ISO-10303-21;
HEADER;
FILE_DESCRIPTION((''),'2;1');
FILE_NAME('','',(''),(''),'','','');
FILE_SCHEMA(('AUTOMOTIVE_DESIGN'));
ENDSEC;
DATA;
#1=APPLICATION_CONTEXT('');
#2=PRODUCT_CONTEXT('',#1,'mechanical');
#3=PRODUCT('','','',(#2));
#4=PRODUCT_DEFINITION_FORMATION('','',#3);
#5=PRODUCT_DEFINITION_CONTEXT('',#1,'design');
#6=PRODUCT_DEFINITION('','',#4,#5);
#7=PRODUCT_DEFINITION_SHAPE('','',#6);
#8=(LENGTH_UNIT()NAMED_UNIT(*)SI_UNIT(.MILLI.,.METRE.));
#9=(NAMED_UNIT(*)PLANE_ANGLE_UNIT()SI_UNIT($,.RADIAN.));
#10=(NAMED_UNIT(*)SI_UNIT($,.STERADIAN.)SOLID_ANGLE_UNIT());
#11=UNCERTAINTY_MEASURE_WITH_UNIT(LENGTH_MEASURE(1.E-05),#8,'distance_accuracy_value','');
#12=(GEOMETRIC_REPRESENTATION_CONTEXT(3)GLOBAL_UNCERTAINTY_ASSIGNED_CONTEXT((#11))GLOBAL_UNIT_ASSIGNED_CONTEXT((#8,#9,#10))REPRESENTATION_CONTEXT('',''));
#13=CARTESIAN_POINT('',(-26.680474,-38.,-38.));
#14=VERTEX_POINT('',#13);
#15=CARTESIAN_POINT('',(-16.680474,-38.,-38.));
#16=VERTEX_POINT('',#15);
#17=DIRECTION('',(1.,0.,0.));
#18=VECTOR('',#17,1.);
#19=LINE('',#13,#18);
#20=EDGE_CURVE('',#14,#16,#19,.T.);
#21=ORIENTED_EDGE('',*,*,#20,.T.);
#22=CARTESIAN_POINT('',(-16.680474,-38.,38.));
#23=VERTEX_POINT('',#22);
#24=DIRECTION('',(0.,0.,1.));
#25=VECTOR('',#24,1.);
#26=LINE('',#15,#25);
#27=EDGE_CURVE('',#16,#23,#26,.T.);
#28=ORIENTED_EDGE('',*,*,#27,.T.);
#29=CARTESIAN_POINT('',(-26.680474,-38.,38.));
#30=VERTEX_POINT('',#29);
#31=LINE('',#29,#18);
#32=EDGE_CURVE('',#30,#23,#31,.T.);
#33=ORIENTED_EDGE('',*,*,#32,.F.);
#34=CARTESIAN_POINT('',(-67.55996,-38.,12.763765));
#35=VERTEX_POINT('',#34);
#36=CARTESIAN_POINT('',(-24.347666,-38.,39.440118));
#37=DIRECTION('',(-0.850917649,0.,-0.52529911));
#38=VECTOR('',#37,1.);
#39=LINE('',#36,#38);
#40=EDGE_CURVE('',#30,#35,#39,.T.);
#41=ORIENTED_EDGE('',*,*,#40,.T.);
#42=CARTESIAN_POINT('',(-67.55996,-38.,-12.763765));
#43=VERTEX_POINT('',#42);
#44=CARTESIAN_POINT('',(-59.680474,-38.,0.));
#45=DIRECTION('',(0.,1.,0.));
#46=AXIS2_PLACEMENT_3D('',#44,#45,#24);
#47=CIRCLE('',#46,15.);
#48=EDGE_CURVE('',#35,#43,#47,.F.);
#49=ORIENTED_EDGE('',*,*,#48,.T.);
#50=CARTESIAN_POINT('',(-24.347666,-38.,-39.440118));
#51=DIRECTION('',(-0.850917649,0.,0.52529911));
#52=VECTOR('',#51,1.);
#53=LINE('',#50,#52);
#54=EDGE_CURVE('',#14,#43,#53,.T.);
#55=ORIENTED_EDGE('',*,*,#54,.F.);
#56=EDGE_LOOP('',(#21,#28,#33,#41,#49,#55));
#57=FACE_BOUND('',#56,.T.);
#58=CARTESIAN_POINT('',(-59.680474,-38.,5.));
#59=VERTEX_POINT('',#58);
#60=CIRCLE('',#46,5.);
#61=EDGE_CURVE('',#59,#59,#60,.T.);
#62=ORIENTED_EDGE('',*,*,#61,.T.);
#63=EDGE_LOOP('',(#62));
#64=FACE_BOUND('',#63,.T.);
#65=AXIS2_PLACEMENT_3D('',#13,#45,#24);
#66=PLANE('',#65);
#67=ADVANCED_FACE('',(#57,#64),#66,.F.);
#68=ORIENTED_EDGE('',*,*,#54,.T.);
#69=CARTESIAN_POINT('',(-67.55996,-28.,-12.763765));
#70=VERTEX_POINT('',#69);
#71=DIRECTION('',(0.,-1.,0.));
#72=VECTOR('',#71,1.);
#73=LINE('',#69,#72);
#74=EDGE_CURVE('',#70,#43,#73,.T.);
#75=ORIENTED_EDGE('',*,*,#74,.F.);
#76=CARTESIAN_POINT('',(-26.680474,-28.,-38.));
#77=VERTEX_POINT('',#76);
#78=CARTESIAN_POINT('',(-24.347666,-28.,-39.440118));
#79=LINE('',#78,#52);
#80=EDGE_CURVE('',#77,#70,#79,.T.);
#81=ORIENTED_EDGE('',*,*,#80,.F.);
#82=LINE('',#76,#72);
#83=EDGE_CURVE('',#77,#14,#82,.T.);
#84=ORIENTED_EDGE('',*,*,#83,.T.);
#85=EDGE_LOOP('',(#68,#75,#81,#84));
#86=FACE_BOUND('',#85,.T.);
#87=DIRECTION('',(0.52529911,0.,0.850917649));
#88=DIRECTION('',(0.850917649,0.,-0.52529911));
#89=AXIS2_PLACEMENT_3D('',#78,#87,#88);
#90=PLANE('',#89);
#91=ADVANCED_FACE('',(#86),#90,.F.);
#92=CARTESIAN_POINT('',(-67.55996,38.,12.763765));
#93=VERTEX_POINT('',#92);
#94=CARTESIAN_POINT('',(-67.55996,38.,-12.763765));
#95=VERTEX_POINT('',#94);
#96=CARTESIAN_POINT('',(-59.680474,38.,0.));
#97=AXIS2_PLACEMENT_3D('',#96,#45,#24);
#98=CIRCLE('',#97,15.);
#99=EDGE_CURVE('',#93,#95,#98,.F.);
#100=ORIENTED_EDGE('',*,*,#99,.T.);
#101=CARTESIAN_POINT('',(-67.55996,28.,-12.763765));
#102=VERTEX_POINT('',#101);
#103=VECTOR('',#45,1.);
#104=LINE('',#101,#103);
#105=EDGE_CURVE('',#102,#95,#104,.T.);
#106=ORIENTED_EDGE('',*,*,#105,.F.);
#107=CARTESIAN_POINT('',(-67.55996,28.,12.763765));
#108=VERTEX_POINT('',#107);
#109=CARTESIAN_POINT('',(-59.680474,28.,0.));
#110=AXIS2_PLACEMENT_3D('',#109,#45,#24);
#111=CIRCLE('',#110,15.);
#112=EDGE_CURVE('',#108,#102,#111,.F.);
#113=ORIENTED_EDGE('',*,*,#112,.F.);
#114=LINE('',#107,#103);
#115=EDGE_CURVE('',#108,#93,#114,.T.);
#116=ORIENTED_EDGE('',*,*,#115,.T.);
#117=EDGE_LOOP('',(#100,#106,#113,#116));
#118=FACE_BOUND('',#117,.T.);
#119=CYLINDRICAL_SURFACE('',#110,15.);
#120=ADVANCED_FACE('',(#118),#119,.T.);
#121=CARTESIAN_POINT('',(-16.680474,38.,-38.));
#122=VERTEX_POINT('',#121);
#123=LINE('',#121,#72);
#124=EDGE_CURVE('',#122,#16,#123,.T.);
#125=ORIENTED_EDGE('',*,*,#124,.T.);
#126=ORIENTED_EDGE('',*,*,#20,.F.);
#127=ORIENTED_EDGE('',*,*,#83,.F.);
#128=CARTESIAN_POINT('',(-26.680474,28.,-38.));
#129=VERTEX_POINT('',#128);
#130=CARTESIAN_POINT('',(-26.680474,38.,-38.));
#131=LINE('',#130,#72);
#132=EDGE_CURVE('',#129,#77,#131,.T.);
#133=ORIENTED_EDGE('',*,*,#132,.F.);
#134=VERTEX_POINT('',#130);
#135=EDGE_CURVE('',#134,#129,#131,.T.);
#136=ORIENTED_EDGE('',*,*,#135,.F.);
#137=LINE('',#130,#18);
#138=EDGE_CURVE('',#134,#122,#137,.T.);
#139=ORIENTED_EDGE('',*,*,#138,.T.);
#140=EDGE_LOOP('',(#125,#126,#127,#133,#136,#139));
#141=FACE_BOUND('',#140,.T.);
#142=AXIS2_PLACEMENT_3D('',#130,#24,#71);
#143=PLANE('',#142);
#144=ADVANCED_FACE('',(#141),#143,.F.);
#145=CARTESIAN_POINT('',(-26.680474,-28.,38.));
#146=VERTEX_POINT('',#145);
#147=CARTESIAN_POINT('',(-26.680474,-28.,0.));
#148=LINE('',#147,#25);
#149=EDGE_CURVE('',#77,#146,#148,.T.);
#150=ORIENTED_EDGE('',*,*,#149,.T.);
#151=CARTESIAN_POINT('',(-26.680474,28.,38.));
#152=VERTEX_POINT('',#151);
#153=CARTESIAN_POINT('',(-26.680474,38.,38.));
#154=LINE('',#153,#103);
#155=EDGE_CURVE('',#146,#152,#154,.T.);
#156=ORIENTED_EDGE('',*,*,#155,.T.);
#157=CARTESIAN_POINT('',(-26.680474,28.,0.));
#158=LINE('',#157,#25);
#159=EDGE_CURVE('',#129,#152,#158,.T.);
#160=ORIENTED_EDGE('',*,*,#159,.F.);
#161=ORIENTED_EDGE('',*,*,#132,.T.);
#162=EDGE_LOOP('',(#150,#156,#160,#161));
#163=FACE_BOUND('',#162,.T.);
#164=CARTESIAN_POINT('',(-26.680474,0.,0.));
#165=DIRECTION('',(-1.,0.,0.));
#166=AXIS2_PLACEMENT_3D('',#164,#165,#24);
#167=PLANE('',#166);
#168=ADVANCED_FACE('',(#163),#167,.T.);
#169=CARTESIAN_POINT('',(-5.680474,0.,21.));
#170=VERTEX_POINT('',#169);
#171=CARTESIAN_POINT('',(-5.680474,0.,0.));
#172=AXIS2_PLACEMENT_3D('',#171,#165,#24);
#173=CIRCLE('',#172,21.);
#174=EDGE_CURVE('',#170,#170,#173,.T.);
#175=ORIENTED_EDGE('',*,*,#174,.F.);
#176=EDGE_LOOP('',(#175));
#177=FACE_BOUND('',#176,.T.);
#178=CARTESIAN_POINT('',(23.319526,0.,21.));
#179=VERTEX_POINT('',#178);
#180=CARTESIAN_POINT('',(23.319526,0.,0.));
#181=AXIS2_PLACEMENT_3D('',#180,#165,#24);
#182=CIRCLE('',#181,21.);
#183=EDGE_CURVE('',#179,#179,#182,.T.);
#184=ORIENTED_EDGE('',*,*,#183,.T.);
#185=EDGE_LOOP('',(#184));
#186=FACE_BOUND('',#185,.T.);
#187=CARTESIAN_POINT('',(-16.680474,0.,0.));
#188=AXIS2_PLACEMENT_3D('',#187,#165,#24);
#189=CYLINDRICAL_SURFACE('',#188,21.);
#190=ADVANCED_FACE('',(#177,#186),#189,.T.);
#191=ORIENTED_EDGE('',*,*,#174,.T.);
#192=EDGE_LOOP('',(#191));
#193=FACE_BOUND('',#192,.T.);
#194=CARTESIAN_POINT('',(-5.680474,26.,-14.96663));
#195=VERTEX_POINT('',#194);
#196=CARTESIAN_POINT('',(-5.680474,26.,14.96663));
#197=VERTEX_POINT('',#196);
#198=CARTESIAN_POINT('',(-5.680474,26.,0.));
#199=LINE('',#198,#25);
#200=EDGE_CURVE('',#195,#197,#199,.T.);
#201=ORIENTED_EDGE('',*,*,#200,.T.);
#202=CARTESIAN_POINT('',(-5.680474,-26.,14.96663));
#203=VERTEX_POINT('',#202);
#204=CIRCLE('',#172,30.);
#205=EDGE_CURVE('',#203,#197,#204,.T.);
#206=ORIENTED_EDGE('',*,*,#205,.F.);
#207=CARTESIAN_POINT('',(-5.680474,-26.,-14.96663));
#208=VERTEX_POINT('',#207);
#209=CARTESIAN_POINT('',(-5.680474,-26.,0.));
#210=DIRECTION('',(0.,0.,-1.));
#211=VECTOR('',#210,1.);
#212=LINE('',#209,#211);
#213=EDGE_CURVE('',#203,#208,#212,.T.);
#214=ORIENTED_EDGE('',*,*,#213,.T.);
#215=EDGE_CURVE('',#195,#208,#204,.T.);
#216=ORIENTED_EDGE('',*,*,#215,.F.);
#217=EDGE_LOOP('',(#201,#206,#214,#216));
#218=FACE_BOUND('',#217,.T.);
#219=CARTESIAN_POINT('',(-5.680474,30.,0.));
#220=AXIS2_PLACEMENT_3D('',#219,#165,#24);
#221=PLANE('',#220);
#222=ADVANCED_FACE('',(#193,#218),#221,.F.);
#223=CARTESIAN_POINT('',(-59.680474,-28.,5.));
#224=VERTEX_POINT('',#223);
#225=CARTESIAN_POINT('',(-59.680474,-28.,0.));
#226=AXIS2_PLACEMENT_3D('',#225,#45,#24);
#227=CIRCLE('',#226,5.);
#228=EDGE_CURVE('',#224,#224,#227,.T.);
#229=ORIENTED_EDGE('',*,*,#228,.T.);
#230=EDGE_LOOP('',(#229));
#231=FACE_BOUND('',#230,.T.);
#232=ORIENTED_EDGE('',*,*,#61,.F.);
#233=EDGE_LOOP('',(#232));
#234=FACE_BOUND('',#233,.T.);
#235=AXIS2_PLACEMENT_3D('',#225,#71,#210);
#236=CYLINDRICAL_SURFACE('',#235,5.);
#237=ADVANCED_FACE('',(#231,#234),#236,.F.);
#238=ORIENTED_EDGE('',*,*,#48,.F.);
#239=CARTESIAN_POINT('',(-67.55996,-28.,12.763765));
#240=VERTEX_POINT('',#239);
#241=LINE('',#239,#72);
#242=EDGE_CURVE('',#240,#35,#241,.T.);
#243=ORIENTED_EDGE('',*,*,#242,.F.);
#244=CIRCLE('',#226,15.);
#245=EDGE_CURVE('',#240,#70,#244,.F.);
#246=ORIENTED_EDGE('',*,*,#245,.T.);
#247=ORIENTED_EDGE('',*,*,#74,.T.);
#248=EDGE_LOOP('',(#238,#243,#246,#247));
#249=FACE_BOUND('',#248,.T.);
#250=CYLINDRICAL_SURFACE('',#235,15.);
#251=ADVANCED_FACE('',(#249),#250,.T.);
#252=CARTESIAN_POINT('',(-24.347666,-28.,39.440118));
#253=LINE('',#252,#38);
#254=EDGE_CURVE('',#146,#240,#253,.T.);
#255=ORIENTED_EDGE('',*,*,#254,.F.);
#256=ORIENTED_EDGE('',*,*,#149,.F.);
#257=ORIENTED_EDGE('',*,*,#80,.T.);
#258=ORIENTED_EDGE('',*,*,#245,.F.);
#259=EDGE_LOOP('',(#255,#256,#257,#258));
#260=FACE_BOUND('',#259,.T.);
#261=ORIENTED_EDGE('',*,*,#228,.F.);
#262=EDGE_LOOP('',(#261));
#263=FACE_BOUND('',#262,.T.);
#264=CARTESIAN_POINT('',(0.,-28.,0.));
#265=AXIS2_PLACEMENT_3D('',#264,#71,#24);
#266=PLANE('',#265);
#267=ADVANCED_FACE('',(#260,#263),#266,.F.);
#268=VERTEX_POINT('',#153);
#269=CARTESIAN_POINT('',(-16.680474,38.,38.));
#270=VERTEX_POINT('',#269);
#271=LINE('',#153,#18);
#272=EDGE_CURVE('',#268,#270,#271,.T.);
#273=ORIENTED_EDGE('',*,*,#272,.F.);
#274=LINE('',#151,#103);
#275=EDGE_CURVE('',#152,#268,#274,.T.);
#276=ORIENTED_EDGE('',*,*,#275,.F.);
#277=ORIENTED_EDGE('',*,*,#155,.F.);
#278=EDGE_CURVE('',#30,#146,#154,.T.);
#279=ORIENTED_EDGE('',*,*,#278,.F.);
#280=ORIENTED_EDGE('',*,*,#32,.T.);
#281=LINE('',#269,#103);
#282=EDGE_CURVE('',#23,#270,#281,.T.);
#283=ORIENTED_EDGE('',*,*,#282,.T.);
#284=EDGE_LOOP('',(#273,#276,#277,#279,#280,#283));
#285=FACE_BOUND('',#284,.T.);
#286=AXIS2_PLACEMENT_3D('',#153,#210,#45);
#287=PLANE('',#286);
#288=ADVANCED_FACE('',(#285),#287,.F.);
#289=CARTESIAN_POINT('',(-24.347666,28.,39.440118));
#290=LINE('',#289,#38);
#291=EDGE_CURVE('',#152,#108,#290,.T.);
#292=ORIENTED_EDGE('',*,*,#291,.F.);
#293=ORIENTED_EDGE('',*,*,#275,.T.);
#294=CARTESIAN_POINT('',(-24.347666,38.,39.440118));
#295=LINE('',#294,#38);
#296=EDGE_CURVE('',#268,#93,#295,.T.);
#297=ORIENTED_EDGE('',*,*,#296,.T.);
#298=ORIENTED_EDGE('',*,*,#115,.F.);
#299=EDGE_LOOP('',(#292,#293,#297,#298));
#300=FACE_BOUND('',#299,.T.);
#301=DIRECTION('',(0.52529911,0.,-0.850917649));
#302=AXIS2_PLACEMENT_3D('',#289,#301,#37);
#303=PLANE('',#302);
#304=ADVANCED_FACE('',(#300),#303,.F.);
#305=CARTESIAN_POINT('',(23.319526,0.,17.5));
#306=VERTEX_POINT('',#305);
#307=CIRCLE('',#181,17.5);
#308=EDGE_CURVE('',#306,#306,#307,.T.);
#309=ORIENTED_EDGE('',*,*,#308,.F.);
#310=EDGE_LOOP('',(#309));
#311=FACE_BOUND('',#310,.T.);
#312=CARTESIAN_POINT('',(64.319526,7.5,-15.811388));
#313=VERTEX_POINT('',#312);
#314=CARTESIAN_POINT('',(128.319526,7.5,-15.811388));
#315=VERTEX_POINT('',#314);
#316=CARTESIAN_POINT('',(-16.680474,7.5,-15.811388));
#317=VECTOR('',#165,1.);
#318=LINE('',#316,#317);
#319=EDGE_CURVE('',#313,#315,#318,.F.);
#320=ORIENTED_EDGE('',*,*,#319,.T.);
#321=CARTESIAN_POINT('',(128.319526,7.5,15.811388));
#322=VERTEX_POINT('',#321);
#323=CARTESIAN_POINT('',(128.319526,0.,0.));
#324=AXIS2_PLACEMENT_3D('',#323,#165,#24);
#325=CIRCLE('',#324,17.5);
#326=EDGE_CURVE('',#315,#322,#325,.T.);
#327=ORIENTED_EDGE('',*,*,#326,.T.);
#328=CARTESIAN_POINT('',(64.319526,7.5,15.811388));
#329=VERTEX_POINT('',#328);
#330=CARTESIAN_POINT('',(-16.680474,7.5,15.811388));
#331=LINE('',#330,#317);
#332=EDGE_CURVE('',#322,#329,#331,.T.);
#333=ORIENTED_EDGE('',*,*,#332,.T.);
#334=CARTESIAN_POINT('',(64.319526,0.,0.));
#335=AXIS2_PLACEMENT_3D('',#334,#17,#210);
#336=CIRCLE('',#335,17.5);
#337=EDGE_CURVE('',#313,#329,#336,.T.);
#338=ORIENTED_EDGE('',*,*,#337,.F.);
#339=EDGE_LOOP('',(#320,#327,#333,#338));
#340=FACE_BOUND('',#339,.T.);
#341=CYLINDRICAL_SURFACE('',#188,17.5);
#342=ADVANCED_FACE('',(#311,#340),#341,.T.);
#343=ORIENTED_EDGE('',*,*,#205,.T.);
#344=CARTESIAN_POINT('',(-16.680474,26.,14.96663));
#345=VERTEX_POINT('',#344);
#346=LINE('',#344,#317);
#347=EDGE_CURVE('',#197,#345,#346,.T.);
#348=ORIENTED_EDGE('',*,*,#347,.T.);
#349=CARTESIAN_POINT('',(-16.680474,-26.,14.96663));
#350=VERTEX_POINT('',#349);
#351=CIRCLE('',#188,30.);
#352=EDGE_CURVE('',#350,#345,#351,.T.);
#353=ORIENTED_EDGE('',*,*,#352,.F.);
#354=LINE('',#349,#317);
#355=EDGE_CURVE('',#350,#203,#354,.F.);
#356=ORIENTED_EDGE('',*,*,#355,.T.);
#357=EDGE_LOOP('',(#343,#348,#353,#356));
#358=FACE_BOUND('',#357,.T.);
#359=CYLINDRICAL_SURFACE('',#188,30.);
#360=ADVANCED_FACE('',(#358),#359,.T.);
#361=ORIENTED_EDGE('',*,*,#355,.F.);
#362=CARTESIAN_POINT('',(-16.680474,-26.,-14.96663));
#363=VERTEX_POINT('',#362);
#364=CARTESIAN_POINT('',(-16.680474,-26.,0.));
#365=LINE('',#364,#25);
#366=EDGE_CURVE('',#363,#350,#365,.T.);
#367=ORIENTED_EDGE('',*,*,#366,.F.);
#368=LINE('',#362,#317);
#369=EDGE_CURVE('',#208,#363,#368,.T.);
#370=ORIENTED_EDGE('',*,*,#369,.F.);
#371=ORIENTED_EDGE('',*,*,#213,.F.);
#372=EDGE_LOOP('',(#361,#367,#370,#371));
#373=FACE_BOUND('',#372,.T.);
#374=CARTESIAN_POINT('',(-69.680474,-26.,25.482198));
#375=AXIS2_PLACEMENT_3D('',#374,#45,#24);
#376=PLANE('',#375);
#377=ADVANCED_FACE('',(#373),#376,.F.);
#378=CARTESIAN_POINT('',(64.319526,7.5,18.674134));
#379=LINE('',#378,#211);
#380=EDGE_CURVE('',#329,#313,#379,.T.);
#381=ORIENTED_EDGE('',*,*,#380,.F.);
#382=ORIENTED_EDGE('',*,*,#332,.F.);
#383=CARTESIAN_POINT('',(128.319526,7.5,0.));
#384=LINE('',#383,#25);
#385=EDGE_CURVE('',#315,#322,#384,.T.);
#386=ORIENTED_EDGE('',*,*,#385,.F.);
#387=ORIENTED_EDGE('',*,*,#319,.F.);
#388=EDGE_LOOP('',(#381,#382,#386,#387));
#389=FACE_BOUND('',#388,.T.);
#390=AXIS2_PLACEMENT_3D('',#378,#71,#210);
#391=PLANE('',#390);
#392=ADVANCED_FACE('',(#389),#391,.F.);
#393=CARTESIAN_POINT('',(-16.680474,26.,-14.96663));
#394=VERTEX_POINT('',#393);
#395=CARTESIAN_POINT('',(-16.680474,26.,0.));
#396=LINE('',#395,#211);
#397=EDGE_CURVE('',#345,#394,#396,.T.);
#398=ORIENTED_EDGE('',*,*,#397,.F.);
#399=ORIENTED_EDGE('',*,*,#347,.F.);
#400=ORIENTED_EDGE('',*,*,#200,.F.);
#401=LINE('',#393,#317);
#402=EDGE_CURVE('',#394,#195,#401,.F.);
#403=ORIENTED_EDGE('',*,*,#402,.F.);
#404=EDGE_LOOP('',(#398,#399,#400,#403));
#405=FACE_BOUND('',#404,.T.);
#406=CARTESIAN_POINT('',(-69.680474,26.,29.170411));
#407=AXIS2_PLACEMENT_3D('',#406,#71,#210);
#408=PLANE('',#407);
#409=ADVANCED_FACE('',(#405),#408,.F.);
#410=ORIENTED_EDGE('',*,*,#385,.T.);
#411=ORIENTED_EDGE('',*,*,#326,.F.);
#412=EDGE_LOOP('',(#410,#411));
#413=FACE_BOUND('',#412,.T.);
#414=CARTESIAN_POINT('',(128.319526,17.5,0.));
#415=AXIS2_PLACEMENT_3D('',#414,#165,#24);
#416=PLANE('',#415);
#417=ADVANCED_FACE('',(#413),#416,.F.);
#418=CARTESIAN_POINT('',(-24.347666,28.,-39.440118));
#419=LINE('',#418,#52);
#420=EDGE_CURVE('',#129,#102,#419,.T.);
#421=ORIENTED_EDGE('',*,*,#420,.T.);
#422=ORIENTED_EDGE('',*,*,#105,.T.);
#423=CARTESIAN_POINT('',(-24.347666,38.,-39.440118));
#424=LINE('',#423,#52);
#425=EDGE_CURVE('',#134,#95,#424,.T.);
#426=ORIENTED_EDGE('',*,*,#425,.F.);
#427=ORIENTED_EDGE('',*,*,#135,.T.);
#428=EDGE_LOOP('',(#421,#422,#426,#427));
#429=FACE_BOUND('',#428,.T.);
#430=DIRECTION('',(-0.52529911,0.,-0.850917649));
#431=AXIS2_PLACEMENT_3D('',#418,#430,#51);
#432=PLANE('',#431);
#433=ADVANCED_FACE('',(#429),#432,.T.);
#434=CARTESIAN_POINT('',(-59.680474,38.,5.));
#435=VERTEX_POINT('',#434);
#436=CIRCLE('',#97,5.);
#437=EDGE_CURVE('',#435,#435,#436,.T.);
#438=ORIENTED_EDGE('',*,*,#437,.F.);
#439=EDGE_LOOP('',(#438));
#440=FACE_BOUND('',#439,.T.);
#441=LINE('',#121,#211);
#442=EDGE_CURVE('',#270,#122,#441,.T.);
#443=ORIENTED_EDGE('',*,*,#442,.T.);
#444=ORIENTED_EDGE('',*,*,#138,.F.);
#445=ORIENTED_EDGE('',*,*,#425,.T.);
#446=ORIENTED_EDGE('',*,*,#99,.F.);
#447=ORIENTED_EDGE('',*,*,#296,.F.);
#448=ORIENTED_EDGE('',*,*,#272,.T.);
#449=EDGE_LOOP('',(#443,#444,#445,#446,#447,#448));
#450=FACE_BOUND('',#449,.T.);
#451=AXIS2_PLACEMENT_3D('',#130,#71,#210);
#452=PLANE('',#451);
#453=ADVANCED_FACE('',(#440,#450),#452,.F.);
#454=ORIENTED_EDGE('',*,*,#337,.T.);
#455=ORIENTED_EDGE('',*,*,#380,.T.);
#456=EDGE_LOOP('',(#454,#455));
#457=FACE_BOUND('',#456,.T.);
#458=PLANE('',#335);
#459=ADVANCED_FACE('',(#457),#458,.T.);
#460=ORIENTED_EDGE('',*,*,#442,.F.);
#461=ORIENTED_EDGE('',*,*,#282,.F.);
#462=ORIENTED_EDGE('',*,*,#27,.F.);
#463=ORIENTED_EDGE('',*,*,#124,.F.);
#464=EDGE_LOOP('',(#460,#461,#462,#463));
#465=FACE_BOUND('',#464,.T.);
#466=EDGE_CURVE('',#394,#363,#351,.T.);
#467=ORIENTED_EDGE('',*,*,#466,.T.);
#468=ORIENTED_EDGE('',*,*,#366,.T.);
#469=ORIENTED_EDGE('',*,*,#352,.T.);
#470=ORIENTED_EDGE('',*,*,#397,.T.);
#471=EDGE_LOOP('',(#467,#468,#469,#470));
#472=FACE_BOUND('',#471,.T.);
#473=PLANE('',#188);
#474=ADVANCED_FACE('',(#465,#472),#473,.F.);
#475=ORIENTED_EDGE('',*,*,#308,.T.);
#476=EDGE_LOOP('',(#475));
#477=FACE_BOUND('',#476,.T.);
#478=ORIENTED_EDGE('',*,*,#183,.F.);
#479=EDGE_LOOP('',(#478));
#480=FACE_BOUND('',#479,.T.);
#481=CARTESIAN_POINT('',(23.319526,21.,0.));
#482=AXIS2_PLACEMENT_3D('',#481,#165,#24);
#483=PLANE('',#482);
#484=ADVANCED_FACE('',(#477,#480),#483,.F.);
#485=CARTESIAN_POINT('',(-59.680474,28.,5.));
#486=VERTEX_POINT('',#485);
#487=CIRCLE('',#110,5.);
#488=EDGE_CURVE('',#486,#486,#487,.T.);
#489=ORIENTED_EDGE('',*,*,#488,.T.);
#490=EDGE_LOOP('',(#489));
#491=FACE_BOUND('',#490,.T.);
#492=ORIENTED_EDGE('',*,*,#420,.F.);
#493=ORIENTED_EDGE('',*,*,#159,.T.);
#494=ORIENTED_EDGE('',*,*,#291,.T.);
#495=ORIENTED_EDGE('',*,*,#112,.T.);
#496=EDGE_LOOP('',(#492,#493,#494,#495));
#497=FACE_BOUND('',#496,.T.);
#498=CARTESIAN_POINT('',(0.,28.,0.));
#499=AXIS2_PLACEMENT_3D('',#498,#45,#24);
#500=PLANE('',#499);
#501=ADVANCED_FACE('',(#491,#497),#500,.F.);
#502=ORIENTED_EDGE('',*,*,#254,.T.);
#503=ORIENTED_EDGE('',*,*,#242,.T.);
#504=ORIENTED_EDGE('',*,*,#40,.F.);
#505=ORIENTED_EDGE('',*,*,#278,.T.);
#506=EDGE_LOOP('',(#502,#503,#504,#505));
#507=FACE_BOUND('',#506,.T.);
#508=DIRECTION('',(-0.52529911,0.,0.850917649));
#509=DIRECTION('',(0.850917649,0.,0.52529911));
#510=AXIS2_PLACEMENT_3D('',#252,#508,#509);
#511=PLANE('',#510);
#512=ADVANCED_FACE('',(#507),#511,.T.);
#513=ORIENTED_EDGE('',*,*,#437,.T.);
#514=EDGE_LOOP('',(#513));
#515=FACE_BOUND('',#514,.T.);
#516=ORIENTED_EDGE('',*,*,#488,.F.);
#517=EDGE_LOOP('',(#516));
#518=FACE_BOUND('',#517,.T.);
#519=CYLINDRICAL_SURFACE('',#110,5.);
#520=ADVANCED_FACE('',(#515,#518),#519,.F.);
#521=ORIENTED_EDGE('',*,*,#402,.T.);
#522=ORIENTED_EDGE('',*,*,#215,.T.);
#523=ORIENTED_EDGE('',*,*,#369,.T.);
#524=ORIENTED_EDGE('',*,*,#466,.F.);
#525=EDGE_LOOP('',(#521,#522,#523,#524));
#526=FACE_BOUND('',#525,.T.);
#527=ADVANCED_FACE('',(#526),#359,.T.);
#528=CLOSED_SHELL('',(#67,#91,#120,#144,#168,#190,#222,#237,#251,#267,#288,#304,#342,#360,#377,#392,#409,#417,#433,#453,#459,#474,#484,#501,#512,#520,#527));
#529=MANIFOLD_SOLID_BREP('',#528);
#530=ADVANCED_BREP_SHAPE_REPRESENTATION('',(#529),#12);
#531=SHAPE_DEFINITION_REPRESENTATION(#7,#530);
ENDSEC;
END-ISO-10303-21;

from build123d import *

# Parameters (mm, degrees)
SKETCH_2_W          = 53.579793819
SKETCH_2_H          = 11.740278351
CUT_EXTRUDE_1_DEPTH = 64
SKETCH_3_W          = 57.586414551
SKETCH_3_H          = 11.064638604
SKETCH_3_W_2        = 48.61735144
SKETCH_3_H_2        = 9.555824249
CUT_EXTRUDE_2_DEPTH = 64
SKETCH_4_W          = 76
SKETCH_4_H          = 76
EXTRUDE_1_DEPTH     = 10
SKETCH_5_R          = 5
EXTRUDE_2_DEPTH     = 10


with BuildPart() as part:
    # 스케치1 → 회전1 (revolve)
    with BuildSketch(Plane.XY, mode=Mode.PRIVATE) as revolve_1_sk:
        Polygon((-16.680473815, 0), (-16.680473815, 30), (-5.680473815, 30), (-5.680473815, 21), (23.319526185, 21), (23.319526185, 17.5), (128.319526185, 17.5), (128.319526185, 0), align=None)
    revolve(revolve_1_sk.sketch.rotate(Axis((-16.680473815, 0, 0), (1, 0, 0)), 90), axis=Axis((-16.680473815, 0, 0), (1, 0, 0)))

    # 스케치2 → 컷-돌출1 (cut)
    with BuildSketch(Plane(origin=(128.319526185, 0, 0), x_dir=(0, 0, -1), z_dir=(1, 0, 0))):
        with Locations((8.115762888, 13.370139176)):
            Rectangle(SKETCH_2_W, SKETCH_2_H)
    extrude(amount=-CUT_EXTRUDE_1_DEPTH, mode=Mode.SUBTRACT)

    # 스케치3 → 컷-돌출2 (cut)
    with BuildSketch(Plane(origin=(-5.680473815, 0, 0), x_dir=(0, 0, -1), z_dir=(1, 0, 0))):
        with Locations((-0.377203588, 31.532319302)):
            Rectangle(SKETCH_3_W, SKETCH_3_H)
        with Locations((-1.173522276, -30.777912125)):
            Rectangle(SKETCH_3_W_2, SKETCH_3_H_2)
    extrude(amount=-CUT_EXTRUDE_2_DEPTH, mode=Mode.SUBTRACT)

    # 스케치4 → 보스-돌출1 (add)
    with BuildSketch(Plane.ZY.offset(16.680473815)):
        Rectangle(SKETCH_4_W, SKETCH_4_H)
    extrude(amount=EXTRUDE_1_DEPTH)

    # 스케치5 → 보스-돌출2 (add)
    with BuildSketch(Plane(origin=(0, 38, 0), x_dir=(1, 0, 0), z_dir=(0, 1, 0))):
        with BuildLine():
            ThreePointArc((-67.559960472, -12.763764728), (-74.680473815, 0), (-67.559960472, 12.763764728))
            Line((-67.559960472, 12.763764728), (-26.680473815, 38))
            Line((-26.680473815, 38), (-26.680473815, -38))
            Line((-26.680473815, -38), (-67.559960472, -12.763764728))
        make_face()
        with Locations(Location((-59.680473815, 0, 0), (0, 0, 270))):
            Circle(SKETCH_5_R, mode=Mode.SUBTRACT)
    extrude_2 = extrude(amount=-EXTRUDE_2_DEPTH)

    # 대칭 복사1: 보스-돌출2 across plane
    add(extrude_2.mirror(Plane.ZX))


solid = part.part
